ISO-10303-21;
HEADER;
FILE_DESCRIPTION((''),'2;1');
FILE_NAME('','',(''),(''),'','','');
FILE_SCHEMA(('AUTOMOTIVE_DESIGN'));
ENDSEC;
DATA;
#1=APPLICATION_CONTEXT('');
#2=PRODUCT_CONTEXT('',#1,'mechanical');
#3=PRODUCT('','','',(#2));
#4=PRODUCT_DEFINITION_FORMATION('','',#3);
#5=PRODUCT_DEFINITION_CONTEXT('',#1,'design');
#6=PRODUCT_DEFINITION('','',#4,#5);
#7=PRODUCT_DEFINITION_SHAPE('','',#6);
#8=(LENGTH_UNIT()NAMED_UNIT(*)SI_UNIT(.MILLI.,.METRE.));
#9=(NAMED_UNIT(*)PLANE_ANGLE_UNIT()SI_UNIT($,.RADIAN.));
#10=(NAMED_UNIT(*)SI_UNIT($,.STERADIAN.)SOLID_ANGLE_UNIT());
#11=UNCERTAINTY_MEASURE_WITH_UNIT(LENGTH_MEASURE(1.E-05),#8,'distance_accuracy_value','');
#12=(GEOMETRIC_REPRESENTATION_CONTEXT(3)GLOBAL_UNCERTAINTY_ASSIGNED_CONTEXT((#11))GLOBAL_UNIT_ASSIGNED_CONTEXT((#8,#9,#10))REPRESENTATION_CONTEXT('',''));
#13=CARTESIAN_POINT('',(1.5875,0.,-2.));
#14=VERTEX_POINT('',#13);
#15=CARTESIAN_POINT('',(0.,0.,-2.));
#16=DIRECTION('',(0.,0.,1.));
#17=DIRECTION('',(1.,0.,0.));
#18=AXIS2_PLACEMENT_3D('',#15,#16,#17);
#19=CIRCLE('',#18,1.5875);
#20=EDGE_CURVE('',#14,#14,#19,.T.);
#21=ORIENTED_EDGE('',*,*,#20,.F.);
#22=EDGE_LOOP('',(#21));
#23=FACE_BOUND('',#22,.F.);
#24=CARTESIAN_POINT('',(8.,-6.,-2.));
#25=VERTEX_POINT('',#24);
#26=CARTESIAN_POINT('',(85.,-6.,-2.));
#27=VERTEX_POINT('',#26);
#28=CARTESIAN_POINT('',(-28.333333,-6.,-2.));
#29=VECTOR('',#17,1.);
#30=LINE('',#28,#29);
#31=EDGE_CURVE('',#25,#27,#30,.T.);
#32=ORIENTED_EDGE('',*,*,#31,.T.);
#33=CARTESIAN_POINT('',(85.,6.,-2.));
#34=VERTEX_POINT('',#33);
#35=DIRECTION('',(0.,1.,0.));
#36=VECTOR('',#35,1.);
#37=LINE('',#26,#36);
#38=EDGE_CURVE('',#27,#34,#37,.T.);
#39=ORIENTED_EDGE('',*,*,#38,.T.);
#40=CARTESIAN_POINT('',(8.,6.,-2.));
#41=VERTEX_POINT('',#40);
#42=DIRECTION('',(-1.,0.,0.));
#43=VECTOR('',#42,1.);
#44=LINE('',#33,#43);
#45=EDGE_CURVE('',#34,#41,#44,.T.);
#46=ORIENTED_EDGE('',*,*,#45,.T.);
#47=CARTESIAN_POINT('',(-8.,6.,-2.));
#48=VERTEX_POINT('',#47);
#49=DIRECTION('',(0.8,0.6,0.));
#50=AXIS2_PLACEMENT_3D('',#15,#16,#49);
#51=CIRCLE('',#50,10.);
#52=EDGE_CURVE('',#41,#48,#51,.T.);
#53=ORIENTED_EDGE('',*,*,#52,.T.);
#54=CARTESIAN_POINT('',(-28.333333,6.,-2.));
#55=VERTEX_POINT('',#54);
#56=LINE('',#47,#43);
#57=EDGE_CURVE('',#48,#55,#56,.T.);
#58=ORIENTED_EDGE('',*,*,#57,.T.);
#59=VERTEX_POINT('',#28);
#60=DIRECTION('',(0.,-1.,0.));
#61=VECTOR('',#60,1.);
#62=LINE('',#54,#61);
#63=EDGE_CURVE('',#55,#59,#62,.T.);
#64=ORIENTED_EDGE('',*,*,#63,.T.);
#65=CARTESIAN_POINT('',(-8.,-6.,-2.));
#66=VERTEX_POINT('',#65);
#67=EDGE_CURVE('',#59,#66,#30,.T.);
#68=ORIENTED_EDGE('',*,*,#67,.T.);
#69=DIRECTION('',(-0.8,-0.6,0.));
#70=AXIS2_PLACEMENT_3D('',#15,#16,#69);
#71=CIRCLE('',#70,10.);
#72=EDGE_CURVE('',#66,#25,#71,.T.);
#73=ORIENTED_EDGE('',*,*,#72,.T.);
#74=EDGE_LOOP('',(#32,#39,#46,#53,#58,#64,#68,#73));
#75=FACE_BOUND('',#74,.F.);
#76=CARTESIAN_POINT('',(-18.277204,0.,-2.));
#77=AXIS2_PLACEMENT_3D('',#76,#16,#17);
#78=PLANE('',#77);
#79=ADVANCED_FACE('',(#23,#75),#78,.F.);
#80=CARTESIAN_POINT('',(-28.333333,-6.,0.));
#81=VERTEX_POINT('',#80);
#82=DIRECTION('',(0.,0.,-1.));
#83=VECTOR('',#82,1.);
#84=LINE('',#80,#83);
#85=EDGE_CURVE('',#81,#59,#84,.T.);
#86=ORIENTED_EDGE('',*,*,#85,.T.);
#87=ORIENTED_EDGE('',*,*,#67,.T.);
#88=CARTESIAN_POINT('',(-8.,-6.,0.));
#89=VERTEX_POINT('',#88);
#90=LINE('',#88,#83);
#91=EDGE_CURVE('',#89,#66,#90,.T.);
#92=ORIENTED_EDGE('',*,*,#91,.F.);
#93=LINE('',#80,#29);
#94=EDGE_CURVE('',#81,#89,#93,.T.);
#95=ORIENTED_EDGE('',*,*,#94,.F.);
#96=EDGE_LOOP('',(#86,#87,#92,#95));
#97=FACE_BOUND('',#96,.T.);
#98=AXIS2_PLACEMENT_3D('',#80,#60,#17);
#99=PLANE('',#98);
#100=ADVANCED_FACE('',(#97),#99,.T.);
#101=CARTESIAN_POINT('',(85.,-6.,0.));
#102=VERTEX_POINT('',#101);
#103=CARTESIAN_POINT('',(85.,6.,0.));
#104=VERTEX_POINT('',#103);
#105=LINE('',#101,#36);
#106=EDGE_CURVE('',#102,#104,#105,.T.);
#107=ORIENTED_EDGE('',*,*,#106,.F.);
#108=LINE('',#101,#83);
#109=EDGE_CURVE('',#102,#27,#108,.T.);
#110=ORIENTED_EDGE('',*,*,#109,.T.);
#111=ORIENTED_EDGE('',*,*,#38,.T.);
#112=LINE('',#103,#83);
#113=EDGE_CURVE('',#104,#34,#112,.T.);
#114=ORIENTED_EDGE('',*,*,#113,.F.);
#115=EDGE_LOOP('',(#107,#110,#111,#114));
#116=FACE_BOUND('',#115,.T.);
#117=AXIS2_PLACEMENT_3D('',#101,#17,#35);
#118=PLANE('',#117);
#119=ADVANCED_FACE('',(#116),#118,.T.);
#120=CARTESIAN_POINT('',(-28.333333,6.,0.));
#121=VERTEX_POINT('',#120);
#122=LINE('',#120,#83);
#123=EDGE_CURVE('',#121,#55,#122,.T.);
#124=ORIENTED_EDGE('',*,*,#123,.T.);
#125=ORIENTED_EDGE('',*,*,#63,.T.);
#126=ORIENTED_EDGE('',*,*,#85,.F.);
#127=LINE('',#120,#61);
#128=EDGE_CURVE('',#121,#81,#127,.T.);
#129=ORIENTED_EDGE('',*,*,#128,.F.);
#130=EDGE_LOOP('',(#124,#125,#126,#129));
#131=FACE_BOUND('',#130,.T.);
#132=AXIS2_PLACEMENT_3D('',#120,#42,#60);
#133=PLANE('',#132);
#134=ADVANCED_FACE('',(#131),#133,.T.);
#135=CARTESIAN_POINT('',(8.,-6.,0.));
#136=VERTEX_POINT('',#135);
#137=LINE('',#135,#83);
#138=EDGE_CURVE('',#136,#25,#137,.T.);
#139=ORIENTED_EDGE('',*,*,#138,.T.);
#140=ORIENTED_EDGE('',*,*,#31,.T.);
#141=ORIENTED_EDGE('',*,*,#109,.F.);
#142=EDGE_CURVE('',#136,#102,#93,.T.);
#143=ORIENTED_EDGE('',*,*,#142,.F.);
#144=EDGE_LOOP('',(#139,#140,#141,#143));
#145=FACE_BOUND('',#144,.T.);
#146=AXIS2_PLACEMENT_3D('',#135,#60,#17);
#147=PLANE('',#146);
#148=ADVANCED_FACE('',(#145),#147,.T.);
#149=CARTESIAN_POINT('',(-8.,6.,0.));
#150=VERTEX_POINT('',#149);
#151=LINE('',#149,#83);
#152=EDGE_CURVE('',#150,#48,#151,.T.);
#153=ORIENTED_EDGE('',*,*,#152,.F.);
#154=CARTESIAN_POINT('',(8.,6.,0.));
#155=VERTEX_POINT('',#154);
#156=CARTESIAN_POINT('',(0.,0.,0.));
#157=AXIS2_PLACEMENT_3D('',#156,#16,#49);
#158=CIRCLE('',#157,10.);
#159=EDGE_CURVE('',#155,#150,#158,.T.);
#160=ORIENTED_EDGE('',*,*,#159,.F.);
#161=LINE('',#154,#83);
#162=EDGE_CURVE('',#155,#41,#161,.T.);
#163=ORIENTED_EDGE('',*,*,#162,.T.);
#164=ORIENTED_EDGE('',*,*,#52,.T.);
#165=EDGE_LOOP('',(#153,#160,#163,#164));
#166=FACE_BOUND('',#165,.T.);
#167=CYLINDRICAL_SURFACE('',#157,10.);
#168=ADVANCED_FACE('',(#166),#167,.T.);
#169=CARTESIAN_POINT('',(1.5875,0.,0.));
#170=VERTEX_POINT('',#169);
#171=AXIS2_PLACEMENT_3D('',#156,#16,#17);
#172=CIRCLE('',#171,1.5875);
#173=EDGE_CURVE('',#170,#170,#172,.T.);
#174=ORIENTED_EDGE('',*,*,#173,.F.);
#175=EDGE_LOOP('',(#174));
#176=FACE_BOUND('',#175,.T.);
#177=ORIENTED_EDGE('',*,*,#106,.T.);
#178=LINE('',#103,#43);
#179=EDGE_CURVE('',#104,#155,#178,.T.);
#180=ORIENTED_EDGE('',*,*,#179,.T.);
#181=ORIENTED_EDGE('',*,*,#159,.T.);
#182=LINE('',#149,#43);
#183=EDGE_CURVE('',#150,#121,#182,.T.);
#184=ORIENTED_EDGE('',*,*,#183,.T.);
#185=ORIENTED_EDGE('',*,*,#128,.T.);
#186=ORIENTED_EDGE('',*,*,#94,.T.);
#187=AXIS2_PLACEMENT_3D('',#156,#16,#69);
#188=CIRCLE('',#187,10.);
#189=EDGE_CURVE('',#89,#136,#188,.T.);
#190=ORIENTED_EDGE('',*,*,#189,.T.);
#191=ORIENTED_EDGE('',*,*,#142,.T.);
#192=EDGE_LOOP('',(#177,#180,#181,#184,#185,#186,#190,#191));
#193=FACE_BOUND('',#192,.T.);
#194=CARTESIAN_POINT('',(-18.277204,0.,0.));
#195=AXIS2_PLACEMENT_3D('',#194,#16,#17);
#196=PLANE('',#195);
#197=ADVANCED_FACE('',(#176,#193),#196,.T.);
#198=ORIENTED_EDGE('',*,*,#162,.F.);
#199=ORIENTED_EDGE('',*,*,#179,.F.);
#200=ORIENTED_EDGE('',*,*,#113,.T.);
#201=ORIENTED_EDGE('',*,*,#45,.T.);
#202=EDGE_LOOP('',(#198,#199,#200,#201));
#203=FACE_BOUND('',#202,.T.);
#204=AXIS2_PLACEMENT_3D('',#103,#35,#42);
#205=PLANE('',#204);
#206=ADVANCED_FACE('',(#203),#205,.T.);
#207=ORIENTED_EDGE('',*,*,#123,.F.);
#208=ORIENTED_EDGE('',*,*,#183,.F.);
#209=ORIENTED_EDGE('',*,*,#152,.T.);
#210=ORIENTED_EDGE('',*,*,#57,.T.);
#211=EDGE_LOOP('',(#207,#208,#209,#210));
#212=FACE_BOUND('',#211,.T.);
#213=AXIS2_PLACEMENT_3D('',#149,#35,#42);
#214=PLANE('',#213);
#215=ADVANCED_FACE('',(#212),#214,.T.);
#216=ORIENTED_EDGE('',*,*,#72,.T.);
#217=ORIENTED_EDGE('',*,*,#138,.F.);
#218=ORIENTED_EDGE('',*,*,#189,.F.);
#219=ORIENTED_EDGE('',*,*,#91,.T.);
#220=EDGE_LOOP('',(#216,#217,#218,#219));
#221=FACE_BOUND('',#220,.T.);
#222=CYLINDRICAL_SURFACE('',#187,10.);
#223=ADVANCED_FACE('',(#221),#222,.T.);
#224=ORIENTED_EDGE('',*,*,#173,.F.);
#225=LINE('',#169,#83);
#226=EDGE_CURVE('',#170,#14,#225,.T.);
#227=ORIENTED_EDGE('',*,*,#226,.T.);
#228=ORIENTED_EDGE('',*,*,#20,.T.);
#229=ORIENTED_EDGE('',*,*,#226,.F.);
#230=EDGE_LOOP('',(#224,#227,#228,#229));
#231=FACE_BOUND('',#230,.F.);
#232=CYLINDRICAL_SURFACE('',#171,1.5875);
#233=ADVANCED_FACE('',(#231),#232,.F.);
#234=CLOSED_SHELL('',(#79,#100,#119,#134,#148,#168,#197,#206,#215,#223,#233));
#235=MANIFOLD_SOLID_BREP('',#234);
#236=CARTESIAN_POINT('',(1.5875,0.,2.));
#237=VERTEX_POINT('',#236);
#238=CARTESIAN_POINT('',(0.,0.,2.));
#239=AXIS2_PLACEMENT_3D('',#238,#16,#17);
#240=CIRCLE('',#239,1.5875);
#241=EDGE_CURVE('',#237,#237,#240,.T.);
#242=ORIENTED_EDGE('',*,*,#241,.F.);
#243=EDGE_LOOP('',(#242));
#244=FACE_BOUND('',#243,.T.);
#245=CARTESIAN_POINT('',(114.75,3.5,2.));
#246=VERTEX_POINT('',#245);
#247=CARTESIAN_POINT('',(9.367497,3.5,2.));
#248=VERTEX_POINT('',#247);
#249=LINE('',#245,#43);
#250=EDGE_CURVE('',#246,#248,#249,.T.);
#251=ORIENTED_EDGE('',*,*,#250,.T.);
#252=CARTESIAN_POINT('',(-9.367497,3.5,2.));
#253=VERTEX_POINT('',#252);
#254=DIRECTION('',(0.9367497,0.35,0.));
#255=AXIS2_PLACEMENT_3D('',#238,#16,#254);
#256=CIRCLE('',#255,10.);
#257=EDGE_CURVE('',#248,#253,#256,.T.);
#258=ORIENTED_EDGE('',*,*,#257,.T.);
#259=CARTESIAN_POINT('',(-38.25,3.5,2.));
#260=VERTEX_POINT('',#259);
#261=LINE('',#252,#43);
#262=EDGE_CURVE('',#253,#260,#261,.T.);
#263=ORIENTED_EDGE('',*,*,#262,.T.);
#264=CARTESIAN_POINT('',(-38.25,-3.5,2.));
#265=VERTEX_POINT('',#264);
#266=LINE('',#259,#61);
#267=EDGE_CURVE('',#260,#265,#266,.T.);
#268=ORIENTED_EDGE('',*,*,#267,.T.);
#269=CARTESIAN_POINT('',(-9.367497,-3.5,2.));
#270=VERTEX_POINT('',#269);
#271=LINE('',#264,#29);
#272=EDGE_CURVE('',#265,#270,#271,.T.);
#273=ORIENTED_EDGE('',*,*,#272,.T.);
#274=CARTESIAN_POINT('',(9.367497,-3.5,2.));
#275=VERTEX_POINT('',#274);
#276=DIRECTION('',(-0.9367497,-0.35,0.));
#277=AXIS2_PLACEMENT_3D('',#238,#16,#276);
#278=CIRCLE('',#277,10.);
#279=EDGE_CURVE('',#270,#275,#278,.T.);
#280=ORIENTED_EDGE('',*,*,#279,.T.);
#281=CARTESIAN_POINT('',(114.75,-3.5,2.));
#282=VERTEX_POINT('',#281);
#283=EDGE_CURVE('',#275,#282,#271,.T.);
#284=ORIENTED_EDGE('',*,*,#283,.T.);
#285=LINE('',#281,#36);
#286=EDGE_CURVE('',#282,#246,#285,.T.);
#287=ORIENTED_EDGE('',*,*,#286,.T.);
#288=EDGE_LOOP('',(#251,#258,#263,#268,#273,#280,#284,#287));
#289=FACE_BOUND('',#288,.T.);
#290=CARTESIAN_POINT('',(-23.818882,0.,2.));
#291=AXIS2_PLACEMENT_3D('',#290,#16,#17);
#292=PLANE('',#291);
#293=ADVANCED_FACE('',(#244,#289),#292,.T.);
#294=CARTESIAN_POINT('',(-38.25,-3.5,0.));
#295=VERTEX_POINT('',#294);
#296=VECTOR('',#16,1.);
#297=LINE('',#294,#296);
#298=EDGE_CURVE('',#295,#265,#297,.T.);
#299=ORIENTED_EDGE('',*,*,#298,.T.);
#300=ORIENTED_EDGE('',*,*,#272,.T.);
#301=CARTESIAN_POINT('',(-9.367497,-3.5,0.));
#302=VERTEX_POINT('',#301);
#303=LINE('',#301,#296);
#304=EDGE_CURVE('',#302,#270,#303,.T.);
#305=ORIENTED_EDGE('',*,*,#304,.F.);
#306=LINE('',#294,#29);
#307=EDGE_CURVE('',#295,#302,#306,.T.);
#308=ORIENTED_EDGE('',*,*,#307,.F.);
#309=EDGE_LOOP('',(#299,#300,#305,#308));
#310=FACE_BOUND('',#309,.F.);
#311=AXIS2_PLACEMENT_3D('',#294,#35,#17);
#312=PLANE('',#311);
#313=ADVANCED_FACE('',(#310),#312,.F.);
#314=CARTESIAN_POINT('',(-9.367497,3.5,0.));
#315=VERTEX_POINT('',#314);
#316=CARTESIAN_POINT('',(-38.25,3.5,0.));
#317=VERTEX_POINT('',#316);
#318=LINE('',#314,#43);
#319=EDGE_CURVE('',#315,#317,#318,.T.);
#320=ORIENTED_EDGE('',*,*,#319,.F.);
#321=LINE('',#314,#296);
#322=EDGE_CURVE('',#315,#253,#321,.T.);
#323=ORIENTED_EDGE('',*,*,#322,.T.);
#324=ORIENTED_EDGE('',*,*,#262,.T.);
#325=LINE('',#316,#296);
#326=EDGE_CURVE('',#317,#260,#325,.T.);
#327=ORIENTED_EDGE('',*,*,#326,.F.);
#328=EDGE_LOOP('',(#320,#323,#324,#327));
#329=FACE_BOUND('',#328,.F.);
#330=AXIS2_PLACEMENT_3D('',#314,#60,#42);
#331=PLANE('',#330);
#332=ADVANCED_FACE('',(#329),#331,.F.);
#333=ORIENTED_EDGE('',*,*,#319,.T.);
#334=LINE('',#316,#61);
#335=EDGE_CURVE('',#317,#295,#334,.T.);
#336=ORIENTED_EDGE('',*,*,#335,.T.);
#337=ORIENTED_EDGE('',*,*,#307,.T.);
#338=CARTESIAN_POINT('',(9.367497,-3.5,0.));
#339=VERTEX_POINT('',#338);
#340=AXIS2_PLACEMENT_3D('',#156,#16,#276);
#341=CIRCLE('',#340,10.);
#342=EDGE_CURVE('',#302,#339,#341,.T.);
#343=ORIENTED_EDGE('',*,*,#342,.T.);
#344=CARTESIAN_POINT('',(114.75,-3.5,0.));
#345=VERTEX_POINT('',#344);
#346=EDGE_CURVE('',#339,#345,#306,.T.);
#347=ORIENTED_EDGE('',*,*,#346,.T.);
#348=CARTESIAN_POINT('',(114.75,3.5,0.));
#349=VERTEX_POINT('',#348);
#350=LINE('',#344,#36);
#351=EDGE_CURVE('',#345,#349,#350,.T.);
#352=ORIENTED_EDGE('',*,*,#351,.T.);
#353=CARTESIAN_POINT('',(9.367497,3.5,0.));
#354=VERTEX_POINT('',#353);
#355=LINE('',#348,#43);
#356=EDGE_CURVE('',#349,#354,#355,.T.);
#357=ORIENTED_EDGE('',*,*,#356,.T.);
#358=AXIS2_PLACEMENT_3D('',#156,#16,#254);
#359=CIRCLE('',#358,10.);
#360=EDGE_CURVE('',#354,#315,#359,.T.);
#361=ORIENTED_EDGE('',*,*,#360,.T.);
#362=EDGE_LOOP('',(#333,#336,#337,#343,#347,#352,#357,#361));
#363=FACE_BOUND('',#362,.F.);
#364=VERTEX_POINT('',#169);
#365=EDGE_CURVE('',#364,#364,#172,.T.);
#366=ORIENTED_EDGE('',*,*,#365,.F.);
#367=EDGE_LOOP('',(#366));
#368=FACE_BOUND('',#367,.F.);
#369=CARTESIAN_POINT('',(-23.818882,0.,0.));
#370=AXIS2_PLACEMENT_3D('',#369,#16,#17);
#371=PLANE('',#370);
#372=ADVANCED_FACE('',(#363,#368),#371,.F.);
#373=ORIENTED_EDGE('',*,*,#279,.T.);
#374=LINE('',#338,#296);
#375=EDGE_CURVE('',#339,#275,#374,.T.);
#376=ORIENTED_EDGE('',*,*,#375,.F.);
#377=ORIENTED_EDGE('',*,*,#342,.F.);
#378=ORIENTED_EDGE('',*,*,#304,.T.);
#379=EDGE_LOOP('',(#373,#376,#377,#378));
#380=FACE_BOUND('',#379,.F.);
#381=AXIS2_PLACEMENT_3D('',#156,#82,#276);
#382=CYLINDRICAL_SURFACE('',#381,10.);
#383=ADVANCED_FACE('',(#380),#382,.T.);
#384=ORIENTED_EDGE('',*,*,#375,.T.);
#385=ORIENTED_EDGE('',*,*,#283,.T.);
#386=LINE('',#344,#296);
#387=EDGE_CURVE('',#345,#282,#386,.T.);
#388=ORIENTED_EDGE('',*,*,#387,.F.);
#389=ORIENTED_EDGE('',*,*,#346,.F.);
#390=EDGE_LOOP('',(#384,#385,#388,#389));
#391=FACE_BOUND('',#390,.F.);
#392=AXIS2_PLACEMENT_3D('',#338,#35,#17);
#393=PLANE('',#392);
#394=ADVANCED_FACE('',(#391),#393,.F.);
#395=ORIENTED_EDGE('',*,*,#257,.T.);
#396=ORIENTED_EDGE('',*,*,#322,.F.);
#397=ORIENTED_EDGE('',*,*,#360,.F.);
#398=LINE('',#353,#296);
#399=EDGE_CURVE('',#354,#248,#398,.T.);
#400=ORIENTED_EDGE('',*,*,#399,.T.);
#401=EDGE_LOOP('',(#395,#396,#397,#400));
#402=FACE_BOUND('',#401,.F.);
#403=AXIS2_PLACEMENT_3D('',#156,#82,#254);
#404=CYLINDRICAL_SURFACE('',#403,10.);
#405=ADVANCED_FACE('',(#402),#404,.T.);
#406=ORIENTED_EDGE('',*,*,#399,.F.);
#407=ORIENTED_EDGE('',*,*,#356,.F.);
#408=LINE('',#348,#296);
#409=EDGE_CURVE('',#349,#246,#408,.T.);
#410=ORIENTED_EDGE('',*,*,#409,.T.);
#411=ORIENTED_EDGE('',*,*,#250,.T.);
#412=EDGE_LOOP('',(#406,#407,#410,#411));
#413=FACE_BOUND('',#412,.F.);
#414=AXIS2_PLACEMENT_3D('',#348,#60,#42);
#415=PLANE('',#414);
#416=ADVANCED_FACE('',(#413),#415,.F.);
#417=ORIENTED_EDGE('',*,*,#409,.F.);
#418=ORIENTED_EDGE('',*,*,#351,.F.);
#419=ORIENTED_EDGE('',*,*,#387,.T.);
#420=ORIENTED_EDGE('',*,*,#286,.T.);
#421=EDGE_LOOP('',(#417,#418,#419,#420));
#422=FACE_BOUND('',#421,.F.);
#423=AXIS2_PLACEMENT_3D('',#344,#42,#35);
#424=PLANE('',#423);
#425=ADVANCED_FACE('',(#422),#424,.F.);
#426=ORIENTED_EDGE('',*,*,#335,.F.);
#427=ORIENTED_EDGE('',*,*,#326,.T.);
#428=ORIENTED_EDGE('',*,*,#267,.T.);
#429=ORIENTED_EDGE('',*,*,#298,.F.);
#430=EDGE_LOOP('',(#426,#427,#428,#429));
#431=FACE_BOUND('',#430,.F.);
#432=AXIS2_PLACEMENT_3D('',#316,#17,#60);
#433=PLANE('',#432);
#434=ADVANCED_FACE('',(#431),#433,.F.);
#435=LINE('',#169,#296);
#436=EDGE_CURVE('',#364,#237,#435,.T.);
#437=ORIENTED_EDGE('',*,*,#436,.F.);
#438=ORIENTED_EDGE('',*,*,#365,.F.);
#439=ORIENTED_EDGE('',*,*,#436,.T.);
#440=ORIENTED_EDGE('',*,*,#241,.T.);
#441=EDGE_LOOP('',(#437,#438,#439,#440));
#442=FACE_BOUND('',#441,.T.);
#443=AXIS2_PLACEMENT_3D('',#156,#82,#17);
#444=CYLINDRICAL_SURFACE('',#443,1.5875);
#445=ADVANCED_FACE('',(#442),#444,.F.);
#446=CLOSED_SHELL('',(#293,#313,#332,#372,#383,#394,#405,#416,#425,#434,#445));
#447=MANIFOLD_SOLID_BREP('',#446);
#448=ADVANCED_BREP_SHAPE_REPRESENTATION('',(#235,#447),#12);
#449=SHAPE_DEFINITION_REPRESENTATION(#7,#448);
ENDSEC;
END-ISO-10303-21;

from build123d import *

# Parameters (mm, degrees)
F0_R     = 1.5875
F1_DEPTH = 2
F2_R     = 1.5875
F3_DEPTH = 2


with BuildPart() as f1:
    # F0 (on Top) → F1 (new body)
    with BuildSketch(Plane.XY):
        with BuildLine():
            Line((-9.3674969976, 3.5), (-38.25, 3.5))
            Line((-38.25, 3.5), (-38.25, -3.5))
            Line((-38.25, -3.5), (-9.3674969976, -3.5))
            ThreePointArc((-9.3674969976, -3.5), (-10, 0), (-9.3674969976, 3.5))
        make_face()
        with BuildLine():
            ThreePointArc((9.3674969976, 3.5), (0, 10), (-9.3674969976, 3.5))
            Line((-9.3674969976, 3.5), (9.3674969976, 3.5))
        make_face()
        with BuildLine():
            Line((9.3674969976, 3.5), (-9.3674969976, 3.5))
            ThreePointArc((-9.3674969976, 3.5), (-10, 0), (-9.3674969976, -3.5))
            Line((-9.3674969976, -3.5), (9.3674969976, -3.5))
            ThreePointArc((9.3674969976, -3.5), (9.8406038935, -1.7783461452), (10, 0))
            ThreePointArc((10, 0), (9.8406038935, 1.7783461452), (9.3674969976, 3.5))
        make_face()
        Circle(F0_R, mode=Mode.SUBTRACT)
        with BuildLine():
            Line((114.75, 3.5), (9.3674969976, 3.5))
            ThreePointArc((9.3674969976, 3.5), (9.8406038935, 1.7783461452), (10, 0))
            ThreePointArc((10, 0), (9.8406038935, -1.7783461452), (9.3674969976, -3.5))
            Line((9.3674969976, -3.5), (114.75, -3.5))
            Line((114.75, -3.5), (114.75, 3.5))
        make_face()
        with BuildLine():
            Line((9.3674969976, -3.5), (-9.3674969976, -3.5))
            ThreePointArc((-9.3674969976, -3.5), (0, -10), (9.3674969976, -3.5))
        make_face()
    extrude(amount=F1_DEPTH)


with BuildPart() as f3:
    # F2 (on Top) → F3 (new body)
    with BuildSketch(Plane.XY):
        with BuildLine():
            Line((-8, 6), (-28.3333333333, 6))
            Line((-28.3333333333, 6), (-28.3333333333, -6))
            Line((-28.3333333333, -6), (-8, -6))
            ThreePointArc((-8, -6), (-10, 0), (-8, 6))
        make_face()
        with BuildLine():
            ThreePointArc((8, 6), (0, 10), (-8, 6))
            Line((-8, 6), (8, 6))
        make_face()
        with BuildLine():
            Line((8, 6), (-8, 6))
            ThreePointArc((-8, 6), (-10, 0), (-8, -6))
            Line((-8, -6), (8, -6))
            ThreePointArc((8, -6), (9.4868329805, -3.1622776602), (10, 0))
            ThreePointArc((10, 0), (9.4868329805, 3.1622776602), (8, 6))
        make_face()
        Circle(F2_R, mode=Mode.SUBTRACT)
        with BuildLine():
            Line((85, 6), (8, 6))
            ThreePointArc((8, 6), (9.4868329805, 3.1622776602), (10, 0))
            ThreePointArc((10, 0), (9.4868329805, -3.1622776602), (8, -6))
            Line((8, -6), (85, -6))
            Line((85, -6), (85, 6))
        make_face()
        with BuildLine():
            Line((8, -6), (-8, -6))
            ThreePointArc((-8, -6), (0, -10), (8, -6))
        make_face()
    extrude(amount=-F3_DEPTH)


solid = Compound([f1.part, f3.part])
